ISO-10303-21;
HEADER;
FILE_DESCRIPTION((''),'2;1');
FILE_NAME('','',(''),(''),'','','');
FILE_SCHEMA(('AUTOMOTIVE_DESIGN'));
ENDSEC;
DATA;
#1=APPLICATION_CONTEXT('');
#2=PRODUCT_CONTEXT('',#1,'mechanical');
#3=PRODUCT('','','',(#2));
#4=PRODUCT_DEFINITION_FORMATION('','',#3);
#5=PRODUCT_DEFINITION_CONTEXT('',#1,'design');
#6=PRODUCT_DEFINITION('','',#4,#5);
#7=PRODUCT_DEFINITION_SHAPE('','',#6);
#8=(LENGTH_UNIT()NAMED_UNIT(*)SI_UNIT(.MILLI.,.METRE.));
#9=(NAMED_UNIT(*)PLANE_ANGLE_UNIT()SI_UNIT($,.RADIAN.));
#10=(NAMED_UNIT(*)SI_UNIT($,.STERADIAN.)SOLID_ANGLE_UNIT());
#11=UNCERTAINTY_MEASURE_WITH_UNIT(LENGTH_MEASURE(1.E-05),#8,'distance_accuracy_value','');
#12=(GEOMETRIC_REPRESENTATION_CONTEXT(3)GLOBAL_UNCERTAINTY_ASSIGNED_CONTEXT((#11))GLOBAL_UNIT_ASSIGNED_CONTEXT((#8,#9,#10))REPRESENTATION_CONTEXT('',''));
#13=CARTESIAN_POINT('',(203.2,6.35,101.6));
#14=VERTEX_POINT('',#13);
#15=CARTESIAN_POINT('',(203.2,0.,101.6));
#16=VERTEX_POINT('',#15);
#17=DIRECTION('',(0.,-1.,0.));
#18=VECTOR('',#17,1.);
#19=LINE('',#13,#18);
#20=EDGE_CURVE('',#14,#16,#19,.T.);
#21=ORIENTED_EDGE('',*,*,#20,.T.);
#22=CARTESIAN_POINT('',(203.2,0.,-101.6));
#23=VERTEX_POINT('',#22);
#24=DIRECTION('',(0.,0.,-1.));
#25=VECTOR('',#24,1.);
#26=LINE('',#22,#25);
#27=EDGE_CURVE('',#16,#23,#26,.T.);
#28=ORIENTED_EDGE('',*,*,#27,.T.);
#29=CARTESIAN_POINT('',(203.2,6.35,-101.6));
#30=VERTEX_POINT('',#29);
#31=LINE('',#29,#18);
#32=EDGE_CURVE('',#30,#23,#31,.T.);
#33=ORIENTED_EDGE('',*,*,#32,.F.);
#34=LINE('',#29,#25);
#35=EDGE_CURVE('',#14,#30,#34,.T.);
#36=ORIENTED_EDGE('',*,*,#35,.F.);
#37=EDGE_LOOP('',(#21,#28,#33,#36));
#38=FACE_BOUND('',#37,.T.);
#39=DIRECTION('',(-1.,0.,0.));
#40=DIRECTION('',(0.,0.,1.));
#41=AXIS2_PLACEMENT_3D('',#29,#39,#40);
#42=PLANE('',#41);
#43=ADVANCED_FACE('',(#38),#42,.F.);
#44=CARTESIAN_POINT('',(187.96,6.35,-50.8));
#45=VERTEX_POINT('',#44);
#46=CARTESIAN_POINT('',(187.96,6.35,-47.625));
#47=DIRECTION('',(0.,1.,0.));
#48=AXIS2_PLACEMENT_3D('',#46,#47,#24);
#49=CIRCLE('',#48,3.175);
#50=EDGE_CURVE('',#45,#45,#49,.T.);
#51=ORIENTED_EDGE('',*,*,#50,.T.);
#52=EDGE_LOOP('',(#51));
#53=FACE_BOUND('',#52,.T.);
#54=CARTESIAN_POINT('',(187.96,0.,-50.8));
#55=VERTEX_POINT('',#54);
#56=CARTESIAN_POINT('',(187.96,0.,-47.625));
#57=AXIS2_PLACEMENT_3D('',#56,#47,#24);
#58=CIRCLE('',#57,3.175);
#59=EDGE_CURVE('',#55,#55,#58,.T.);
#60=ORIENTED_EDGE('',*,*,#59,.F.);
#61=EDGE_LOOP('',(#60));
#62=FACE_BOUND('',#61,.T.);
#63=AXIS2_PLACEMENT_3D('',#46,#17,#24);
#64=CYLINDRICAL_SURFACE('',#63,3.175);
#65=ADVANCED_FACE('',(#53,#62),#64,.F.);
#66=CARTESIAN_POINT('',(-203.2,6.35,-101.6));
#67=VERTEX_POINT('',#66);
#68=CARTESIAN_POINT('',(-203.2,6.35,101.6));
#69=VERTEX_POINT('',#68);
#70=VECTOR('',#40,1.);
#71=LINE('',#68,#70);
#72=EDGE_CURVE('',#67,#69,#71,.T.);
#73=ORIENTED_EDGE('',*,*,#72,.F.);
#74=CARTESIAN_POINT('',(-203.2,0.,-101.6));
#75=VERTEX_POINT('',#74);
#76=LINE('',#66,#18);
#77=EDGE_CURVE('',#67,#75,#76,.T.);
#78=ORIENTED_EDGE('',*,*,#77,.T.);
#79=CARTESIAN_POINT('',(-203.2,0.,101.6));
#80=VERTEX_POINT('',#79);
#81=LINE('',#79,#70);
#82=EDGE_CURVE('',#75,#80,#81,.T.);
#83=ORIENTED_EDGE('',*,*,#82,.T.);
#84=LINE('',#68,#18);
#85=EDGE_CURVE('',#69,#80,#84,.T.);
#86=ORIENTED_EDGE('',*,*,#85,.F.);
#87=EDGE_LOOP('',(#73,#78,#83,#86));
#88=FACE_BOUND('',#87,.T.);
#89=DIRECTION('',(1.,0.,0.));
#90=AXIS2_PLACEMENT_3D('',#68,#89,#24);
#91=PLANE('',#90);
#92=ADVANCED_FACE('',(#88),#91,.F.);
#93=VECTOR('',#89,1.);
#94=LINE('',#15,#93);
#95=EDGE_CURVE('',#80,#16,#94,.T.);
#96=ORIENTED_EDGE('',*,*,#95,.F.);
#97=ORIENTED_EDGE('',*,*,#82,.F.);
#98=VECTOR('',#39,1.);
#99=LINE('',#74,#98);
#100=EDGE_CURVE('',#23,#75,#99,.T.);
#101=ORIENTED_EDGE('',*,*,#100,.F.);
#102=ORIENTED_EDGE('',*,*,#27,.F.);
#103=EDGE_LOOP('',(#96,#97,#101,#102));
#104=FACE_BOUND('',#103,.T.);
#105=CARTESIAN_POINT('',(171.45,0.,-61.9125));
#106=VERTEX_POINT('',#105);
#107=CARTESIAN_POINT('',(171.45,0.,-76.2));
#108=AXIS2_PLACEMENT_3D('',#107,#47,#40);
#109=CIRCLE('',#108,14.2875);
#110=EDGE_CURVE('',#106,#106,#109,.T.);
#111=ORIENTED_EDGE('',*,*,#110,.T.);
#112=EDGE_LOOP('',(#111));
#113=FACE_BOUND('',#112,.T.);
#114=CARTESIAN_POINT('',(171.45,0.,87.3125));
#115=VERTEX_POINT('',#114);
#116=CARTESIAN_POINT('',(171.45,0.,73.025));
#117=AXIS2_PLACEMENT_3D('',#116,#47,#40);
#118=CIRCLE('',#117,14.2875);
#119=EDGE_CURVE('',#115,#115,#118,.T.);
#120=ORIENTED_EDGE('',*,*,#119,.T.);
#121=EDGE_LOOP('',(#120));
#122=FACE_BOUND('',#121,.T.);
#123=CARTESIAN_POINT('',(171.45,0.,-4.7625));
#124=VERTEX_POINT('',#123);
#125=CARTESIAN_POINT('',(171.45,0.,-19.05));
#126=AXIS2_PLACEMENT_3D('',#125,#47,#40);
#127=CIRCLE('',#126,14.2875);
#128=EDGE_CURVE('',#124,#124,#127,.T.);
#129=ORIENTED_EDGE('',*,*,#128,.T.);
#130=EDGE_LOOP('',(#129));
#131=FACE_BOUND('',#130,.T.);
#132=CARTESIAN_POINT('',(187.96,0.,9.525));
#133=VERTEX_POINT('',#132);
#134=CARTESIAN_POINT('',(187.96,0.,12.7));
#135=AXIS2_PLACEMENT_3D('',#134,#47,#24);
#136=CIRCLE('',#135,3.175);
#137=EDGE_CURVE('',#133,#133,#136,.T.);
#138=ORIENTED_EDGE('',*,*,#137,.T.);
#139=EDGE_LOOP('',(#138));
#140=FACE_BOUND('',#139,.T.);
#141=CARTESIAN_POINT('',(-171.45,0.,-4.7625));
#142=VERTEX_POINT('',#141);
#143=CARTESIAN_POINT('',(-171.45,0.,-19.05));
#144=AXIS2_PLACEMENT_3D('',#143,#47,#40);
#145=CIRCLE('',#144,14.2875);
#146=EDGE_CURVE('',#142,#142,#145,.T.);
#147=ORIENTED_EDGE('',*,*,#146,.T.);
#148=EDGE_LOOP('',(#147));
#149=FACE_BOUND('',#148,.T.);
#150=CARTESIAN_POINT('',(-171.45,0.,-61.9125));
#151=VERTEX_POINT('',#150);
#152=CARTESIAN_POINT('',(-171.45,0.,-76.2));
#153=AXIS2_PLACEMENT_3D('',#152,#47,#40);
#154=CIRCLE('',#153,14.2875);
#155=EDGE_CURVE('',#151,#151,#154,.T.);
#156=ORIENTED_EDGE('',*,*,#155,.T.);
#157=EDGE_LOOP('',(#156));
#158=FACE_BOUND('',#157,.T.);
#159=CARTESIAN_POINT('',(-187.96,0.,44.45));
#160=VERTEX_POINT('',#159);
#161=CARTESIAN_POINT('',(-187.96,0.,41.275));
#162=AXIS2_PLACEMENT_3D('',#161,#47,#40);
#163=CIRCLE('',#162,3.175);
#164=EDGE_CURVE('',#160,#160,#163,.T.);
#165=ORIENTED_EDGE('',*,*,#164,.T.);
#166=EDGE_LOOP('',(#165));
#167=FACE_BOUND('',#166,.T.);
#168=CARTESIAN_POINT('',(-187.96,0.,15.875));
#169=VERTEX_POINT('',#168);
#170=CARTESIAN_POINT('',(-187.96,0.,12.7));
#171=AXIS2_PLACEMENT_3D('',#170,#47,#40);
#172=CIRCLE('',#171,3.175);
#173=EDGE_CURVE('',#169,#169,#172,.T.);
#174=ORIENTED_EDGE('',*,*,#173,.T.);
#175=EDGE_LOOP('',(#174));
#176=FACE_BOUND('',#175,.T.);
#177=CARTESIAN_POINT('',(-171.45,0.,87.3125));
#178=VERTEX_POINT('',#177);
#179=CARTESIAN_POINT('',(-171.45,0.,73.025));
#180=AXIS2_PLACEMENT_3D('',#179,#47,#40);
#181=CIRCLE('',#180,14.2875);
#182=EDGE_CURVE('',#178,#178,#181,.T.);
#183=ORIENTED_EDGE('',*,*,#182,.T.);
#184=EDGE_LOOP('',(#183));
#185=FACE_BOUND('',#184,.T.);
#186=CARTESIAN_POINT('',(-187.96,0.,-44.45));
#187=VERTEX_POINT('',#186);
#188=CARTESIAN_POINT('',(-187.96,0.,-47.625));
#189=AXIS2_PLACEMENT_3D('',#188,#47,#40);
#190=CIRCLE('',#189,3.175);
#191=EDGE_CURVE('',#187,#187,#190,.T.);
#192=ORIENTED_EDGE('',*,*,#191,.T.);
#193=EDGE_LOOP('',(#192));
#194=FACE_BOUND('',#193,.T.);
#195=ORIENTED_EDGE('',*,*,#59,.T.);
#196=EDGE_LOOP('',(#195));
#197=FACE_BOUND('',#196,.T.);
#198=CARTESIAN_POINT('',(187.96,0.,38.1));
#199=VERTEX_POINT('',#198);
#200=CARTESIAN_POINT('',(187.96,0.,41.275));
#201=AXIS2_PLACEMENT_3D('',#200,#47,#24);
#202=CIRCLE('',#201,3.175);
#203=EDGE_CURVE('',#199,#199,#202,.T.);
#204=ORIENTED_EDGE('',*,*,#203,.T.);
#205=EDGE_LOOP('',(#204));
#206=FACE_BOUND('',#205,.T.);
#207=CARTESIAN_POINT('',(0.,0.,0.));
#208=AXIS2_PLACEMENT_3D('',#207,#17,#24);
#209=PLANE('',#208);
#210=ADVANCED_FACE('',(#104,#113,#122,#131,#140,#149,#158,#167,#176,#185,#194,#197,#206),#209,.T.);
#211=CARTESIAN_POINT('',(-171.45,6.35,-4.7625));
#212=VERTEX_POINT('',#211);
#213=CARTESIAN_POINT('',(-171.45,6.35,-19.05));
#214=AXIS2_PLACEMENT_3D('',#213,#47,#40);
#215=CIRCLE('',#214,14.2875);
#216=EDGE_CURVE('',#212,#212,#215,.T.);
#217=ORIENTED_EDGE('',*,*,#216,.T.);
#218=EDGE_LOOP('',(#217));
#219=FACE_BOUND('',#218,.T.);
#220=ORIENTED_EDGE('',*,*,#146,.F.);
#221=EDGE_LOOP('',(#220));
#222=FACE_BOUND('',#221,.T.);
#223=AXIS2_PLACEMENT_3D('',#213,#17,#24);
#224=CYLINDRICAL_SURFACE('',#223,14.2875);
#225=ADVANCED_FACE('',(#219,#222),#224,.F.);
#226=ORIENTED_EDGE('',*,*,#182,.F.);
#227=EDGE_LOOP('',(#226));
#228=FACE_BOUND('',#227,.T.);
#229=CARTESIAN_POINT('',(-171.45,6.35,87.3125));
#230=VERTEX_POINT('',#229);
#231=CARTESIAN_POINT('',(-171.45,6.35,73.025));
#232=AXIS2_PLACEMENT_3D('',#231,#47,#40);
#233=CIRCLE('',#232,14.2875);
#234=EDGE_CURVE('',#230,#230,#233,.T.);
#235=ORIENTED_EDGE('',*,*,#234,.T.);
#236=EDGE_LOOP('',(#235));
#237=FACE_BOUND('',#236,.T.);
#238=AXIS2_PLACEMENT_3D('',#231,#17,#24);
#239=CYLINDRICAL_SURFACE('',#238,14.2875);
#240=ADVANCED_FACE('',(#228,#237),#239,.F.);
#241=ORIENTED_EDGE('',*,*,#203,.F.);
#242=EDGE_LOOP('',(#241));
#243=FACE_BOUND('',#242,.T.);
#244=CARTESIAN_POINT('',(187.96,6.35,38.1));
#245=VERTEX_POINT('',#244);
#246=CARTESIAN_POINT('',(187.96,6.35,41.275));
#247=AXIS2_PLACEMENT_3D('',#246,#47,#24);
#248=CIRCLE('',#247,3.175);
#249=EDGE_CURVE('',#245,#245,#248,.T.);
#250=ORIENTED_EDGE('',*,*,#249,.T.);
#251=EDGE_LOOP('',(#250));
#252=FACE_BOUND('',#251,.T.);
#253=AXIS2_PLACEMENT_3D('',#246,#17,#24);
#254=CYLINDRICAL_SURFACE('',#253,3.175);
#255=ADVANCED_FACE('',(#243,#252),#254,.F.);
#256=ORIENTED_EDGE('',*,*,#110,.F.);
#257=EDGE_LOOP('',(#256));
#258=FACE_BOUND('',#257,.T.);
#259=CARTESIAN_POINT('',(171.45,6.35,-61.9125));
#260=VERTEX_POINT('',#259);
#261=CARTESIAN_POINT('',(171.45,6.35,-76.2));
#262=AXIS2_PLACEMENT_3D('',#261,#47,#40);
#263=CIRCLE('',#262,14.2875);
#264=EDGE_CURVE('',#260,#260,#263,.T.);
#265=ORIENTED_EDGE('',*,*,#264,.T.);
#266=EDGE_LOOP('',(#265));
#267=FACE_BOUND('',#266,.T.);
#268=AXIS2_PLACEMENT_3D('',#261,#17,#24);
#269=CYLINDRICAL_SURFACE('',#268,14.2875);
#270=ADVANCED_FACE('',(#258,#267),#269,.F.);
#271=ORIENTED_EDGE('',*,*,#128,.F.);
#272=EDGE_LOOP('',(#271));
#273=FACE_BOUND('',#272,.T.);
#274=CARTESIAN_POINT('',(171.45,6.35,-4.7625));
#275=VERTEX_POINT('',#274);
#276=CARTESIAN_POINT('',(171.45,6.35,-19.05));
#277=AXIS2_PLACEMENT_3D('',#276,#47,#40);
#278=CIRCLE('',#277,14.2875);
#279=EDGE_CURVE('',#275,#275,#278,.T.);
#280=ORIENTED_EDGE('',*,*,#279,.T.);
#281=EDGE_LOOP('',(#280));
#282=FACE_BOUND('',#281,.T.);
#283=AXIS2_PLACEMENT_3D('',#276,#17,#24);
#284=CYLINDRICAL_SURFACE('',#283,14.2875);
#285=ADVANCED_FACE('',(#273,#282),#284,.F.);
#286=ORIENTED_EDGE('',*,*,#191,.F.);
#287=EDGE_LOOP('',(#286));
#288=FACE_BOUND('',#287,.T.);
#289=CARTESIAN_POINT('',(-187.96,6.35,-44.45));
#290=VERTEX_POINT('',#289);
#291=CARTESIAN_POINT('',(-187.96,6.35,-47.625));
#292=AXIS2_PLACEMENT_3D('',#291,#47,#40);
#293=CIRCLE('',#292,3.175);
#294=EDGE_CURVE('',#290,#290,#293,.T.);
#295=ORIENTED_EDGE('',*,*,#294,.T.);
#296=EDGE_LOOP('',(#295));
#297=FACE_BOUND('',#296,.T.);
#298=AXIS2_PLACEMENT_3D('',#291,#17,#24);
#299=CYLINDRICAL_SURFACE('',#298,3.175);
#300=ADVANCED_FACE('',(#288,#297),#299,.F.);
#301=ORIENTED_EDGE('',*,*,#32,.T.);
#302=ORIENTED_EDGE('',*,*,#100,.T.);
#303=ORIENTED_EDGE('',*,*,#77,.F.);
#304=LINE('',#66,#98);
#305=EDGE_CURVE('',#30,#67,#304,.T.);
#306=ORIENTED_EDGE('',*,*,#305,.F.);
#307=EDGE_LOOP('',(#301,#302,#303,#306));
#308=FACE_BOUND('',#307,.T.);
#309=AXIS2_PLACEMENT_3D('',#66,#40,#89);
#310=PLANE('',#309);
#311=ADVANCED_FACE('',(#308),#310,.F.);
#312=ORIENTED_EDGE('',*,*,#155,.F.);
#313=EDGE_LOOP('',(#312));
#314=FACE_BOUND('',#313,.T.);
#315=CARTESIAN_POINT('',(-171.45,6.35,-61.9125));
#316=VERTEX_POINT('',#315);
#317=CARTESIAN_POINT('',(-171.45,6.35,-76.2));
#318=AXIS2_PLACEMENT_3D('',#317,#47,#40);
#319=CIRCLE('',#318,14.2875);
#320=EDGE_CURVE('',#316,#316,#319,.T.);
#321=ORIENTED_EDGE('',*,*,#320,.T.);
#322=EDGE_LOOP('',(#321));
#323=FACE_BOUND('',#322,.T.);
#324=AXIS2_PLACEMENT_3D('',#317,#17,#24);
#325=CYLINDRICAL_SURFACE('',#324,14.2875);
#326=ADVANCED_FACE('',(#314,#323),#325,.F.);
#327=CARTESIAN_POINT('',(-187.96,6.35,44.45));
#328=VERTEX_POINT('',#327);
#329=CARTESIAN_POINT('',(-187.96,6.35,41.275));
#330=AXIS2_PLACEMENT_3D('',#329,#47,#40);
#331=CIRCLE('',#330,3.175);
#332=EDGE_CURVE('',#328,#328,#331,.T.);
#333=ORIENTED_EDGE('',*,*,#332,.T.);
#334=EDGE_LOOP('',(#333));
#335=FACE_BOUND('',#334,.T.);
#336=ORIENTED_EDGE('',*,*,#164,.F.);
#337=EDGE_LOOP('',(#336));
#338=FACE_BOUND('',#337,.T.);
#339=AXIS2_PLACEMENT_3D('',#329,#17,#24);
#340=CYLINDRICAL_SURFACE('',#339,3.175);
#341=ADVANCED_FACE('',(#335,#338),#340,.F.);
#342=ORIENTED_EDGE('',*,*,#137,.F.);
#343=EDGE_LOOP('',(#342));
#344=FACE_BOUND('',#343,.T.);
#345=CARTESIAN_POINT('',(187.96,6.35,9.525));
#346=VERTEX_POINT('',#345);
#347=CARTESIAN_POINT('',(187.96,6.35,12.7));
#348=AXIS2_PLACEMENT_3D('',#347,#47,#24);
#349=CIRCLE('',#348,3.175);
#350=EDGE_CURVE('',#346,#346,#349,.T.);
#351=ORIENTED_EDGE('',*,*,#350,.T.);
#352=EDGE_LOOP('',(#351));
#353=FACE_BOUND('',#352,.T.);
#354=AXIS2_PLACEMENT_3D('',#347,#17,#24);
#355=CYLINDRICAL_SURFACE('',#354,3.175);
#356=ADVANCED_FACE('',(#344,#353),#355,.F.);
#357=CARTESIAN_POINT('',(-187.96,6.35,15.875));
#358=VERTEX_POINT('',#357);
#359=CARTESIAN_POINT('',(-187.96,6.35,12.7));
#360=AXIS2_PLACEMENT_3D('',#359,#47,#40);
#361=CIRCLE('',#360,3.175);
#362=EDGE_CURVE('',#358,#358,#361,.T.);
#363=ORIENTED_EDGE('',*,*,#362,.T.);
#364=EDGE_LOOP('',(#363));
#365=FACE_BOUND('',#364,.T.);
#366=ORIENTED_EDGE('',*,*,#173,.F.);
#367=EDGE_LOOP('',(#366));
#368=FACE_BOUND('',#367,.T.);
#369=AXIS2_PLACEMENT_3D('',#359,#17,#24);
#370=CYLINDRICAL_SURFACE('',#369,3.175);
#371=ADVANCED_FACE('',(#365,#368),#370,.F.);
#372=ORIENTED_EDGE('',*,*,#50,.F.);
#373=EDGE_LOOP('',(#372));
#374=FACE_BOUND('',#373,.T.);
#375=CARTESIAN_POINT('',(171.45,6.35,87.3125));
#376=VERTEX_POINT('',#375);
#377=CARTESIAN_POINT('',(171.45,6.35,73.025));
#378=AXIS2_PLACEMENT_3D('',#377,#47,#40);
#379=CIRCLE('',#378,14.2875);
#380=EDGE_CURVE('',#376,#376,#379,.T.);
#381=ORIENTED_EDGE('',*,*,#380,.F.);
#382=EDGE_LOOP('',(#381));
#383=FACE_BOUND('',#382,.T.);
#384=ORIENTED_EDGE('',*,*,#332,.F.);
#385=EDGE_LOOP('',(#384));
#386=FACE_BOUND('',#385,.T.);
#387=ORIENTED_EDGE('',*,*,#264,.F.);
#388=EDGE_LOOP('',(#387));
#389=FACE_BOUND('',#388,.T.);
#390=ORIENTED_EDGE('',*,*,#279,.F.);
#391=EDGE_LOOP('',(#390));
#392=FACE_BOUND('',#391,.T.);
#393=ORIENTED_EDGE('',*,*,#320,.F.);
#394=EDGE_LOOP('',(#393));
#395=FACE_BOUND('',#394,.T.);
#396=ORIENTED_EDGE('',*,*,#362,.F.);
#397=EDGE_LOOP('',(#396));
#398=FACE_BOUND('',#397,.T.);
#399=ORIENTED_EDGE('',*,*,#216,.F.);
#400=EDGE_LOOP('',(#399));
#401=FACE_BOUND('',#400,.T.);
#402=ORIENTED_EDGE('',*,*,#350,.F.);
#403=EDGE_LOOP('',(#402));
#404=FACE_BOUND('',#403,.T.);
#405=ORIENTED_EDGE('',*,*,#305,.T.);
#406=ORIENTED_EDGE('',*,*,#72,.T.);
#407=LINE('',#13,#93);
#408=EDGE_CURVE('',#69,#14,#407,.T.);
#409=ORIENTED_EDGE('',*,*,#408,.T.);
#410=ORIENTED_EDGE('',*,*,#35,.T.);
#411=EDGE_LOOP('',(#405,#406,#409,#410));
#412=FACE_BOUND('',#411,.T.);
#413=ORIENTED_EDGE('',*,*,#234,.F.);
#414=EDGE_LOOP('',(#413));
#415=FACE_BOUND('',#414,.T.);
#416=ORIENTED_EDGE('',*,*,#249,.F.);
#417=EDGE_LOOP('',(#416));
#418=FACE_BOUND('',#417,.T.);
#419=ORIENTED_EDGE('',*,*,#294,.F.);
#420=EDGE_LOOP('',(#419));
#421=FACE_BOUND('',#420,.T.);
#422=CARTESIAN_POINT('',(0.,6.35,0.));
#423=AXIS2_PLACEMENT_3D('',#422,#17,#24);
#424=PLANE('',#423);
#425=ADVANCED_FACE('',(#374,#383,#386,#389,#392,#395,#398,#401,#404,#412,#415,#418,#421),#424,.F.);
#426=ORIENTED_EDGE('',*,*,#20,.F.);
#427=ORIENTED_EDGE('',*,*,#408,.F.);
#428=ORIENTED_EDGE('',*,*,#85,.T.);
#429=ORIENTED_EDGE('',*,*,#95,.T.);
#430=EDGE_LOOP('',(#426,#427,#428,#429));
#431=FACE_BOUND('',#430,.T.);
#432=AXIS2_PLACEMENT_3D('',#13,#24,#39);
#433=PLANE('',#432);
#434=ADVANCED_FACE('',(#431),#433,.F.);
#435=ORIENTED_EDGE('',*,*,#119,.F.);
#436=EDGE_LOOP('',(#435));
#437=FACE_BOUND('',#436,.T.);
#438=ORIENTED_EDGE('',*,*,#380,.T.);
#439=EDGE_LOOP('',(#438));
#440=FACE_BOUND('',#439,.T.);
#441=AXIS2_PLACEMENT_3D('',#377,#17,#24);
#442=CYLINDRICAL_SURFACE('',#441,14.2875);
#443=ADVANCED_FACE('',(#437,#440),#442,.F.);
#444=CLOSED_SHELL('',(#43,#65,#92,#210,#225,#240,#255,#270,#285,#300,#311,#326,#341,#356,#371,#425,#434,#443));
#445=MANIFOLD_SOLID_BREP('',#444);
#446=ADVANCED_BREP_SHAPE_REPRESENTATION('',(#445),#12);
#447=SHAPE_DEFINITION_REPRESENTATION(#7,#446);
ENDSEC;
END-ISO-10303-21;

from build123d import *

# Parameters (mm, degrees)
SKETCH2_W           = 406.4
SKETCH2_H           = 203.2
SKETCH2_R           = 14.2875
SKETCH2_R_2         = 3.175
BOSS_EXTRUDE1_DEPTH = 6.35


with BuildPart() as part:
    # Sketch2 → Boss-Extrude1 (new body)
    with BuildSketch(Plane(origin=(0, 0, 0), x_dir=(1, 0, 0), z_dir=(0, 1, 0))):
        Rectangle(SKETCH2_W, SKETCH2_H)
        with Locations((-171.45, 76.2)):
            Circle(SKETCH2_R, mode=Mode.SUBTRACT)
        with Locations((-171.45, 19.05)):
            Circle(SKETCH2_R, mode=Mode.SUBTRACT)
        with Locations((171.45, 76.2)):
            Circle(SKETCH2_R, mode=Mode.SUBTRACT)
        with Locations((171.45, 19.05)):
            Circle(SKETCH2_R, mode=Mode.SUBTRACT)
        with Locations((171.45, -73.025)):
            Circle(SKETCH2_R, mode=Mode.SUBTRACT)
        with Locations((-171.45, -73.025)):
            Circle(SKETCH2_R, mode=Mode.SUBTRACT)
        with Locations((-187.96, -12.7)):
            Circle(SKETCH2_R_2, mode=Mode.SUBTRACT)
        with Locations((-187.96, -41.275)):
            Circle(SKETCH2_R_2, mode=Mode.SUBTRACT)
        with Locations((187.96, -41.275)):
            Circle(SKETCH2_R_2, mode=Mode.SUBTRACT)
        with Locations((187.96, -12.7)):
            Circle(SKETCH2_R_2, mode=Mode.SUBTRACT)
        with Locations((-187.96, 47.625)):
            Circle(SKETCH2_R_2, mode=Mode.SUBTRACT)
        with Locations((187.96, 47.625)):
            Circle(SKETCH2_R_2, mode=Mode.SUBTRACT)
    extrude(amount=BOSS_EXTRUDE1_DEPTH)


solid = part.part
